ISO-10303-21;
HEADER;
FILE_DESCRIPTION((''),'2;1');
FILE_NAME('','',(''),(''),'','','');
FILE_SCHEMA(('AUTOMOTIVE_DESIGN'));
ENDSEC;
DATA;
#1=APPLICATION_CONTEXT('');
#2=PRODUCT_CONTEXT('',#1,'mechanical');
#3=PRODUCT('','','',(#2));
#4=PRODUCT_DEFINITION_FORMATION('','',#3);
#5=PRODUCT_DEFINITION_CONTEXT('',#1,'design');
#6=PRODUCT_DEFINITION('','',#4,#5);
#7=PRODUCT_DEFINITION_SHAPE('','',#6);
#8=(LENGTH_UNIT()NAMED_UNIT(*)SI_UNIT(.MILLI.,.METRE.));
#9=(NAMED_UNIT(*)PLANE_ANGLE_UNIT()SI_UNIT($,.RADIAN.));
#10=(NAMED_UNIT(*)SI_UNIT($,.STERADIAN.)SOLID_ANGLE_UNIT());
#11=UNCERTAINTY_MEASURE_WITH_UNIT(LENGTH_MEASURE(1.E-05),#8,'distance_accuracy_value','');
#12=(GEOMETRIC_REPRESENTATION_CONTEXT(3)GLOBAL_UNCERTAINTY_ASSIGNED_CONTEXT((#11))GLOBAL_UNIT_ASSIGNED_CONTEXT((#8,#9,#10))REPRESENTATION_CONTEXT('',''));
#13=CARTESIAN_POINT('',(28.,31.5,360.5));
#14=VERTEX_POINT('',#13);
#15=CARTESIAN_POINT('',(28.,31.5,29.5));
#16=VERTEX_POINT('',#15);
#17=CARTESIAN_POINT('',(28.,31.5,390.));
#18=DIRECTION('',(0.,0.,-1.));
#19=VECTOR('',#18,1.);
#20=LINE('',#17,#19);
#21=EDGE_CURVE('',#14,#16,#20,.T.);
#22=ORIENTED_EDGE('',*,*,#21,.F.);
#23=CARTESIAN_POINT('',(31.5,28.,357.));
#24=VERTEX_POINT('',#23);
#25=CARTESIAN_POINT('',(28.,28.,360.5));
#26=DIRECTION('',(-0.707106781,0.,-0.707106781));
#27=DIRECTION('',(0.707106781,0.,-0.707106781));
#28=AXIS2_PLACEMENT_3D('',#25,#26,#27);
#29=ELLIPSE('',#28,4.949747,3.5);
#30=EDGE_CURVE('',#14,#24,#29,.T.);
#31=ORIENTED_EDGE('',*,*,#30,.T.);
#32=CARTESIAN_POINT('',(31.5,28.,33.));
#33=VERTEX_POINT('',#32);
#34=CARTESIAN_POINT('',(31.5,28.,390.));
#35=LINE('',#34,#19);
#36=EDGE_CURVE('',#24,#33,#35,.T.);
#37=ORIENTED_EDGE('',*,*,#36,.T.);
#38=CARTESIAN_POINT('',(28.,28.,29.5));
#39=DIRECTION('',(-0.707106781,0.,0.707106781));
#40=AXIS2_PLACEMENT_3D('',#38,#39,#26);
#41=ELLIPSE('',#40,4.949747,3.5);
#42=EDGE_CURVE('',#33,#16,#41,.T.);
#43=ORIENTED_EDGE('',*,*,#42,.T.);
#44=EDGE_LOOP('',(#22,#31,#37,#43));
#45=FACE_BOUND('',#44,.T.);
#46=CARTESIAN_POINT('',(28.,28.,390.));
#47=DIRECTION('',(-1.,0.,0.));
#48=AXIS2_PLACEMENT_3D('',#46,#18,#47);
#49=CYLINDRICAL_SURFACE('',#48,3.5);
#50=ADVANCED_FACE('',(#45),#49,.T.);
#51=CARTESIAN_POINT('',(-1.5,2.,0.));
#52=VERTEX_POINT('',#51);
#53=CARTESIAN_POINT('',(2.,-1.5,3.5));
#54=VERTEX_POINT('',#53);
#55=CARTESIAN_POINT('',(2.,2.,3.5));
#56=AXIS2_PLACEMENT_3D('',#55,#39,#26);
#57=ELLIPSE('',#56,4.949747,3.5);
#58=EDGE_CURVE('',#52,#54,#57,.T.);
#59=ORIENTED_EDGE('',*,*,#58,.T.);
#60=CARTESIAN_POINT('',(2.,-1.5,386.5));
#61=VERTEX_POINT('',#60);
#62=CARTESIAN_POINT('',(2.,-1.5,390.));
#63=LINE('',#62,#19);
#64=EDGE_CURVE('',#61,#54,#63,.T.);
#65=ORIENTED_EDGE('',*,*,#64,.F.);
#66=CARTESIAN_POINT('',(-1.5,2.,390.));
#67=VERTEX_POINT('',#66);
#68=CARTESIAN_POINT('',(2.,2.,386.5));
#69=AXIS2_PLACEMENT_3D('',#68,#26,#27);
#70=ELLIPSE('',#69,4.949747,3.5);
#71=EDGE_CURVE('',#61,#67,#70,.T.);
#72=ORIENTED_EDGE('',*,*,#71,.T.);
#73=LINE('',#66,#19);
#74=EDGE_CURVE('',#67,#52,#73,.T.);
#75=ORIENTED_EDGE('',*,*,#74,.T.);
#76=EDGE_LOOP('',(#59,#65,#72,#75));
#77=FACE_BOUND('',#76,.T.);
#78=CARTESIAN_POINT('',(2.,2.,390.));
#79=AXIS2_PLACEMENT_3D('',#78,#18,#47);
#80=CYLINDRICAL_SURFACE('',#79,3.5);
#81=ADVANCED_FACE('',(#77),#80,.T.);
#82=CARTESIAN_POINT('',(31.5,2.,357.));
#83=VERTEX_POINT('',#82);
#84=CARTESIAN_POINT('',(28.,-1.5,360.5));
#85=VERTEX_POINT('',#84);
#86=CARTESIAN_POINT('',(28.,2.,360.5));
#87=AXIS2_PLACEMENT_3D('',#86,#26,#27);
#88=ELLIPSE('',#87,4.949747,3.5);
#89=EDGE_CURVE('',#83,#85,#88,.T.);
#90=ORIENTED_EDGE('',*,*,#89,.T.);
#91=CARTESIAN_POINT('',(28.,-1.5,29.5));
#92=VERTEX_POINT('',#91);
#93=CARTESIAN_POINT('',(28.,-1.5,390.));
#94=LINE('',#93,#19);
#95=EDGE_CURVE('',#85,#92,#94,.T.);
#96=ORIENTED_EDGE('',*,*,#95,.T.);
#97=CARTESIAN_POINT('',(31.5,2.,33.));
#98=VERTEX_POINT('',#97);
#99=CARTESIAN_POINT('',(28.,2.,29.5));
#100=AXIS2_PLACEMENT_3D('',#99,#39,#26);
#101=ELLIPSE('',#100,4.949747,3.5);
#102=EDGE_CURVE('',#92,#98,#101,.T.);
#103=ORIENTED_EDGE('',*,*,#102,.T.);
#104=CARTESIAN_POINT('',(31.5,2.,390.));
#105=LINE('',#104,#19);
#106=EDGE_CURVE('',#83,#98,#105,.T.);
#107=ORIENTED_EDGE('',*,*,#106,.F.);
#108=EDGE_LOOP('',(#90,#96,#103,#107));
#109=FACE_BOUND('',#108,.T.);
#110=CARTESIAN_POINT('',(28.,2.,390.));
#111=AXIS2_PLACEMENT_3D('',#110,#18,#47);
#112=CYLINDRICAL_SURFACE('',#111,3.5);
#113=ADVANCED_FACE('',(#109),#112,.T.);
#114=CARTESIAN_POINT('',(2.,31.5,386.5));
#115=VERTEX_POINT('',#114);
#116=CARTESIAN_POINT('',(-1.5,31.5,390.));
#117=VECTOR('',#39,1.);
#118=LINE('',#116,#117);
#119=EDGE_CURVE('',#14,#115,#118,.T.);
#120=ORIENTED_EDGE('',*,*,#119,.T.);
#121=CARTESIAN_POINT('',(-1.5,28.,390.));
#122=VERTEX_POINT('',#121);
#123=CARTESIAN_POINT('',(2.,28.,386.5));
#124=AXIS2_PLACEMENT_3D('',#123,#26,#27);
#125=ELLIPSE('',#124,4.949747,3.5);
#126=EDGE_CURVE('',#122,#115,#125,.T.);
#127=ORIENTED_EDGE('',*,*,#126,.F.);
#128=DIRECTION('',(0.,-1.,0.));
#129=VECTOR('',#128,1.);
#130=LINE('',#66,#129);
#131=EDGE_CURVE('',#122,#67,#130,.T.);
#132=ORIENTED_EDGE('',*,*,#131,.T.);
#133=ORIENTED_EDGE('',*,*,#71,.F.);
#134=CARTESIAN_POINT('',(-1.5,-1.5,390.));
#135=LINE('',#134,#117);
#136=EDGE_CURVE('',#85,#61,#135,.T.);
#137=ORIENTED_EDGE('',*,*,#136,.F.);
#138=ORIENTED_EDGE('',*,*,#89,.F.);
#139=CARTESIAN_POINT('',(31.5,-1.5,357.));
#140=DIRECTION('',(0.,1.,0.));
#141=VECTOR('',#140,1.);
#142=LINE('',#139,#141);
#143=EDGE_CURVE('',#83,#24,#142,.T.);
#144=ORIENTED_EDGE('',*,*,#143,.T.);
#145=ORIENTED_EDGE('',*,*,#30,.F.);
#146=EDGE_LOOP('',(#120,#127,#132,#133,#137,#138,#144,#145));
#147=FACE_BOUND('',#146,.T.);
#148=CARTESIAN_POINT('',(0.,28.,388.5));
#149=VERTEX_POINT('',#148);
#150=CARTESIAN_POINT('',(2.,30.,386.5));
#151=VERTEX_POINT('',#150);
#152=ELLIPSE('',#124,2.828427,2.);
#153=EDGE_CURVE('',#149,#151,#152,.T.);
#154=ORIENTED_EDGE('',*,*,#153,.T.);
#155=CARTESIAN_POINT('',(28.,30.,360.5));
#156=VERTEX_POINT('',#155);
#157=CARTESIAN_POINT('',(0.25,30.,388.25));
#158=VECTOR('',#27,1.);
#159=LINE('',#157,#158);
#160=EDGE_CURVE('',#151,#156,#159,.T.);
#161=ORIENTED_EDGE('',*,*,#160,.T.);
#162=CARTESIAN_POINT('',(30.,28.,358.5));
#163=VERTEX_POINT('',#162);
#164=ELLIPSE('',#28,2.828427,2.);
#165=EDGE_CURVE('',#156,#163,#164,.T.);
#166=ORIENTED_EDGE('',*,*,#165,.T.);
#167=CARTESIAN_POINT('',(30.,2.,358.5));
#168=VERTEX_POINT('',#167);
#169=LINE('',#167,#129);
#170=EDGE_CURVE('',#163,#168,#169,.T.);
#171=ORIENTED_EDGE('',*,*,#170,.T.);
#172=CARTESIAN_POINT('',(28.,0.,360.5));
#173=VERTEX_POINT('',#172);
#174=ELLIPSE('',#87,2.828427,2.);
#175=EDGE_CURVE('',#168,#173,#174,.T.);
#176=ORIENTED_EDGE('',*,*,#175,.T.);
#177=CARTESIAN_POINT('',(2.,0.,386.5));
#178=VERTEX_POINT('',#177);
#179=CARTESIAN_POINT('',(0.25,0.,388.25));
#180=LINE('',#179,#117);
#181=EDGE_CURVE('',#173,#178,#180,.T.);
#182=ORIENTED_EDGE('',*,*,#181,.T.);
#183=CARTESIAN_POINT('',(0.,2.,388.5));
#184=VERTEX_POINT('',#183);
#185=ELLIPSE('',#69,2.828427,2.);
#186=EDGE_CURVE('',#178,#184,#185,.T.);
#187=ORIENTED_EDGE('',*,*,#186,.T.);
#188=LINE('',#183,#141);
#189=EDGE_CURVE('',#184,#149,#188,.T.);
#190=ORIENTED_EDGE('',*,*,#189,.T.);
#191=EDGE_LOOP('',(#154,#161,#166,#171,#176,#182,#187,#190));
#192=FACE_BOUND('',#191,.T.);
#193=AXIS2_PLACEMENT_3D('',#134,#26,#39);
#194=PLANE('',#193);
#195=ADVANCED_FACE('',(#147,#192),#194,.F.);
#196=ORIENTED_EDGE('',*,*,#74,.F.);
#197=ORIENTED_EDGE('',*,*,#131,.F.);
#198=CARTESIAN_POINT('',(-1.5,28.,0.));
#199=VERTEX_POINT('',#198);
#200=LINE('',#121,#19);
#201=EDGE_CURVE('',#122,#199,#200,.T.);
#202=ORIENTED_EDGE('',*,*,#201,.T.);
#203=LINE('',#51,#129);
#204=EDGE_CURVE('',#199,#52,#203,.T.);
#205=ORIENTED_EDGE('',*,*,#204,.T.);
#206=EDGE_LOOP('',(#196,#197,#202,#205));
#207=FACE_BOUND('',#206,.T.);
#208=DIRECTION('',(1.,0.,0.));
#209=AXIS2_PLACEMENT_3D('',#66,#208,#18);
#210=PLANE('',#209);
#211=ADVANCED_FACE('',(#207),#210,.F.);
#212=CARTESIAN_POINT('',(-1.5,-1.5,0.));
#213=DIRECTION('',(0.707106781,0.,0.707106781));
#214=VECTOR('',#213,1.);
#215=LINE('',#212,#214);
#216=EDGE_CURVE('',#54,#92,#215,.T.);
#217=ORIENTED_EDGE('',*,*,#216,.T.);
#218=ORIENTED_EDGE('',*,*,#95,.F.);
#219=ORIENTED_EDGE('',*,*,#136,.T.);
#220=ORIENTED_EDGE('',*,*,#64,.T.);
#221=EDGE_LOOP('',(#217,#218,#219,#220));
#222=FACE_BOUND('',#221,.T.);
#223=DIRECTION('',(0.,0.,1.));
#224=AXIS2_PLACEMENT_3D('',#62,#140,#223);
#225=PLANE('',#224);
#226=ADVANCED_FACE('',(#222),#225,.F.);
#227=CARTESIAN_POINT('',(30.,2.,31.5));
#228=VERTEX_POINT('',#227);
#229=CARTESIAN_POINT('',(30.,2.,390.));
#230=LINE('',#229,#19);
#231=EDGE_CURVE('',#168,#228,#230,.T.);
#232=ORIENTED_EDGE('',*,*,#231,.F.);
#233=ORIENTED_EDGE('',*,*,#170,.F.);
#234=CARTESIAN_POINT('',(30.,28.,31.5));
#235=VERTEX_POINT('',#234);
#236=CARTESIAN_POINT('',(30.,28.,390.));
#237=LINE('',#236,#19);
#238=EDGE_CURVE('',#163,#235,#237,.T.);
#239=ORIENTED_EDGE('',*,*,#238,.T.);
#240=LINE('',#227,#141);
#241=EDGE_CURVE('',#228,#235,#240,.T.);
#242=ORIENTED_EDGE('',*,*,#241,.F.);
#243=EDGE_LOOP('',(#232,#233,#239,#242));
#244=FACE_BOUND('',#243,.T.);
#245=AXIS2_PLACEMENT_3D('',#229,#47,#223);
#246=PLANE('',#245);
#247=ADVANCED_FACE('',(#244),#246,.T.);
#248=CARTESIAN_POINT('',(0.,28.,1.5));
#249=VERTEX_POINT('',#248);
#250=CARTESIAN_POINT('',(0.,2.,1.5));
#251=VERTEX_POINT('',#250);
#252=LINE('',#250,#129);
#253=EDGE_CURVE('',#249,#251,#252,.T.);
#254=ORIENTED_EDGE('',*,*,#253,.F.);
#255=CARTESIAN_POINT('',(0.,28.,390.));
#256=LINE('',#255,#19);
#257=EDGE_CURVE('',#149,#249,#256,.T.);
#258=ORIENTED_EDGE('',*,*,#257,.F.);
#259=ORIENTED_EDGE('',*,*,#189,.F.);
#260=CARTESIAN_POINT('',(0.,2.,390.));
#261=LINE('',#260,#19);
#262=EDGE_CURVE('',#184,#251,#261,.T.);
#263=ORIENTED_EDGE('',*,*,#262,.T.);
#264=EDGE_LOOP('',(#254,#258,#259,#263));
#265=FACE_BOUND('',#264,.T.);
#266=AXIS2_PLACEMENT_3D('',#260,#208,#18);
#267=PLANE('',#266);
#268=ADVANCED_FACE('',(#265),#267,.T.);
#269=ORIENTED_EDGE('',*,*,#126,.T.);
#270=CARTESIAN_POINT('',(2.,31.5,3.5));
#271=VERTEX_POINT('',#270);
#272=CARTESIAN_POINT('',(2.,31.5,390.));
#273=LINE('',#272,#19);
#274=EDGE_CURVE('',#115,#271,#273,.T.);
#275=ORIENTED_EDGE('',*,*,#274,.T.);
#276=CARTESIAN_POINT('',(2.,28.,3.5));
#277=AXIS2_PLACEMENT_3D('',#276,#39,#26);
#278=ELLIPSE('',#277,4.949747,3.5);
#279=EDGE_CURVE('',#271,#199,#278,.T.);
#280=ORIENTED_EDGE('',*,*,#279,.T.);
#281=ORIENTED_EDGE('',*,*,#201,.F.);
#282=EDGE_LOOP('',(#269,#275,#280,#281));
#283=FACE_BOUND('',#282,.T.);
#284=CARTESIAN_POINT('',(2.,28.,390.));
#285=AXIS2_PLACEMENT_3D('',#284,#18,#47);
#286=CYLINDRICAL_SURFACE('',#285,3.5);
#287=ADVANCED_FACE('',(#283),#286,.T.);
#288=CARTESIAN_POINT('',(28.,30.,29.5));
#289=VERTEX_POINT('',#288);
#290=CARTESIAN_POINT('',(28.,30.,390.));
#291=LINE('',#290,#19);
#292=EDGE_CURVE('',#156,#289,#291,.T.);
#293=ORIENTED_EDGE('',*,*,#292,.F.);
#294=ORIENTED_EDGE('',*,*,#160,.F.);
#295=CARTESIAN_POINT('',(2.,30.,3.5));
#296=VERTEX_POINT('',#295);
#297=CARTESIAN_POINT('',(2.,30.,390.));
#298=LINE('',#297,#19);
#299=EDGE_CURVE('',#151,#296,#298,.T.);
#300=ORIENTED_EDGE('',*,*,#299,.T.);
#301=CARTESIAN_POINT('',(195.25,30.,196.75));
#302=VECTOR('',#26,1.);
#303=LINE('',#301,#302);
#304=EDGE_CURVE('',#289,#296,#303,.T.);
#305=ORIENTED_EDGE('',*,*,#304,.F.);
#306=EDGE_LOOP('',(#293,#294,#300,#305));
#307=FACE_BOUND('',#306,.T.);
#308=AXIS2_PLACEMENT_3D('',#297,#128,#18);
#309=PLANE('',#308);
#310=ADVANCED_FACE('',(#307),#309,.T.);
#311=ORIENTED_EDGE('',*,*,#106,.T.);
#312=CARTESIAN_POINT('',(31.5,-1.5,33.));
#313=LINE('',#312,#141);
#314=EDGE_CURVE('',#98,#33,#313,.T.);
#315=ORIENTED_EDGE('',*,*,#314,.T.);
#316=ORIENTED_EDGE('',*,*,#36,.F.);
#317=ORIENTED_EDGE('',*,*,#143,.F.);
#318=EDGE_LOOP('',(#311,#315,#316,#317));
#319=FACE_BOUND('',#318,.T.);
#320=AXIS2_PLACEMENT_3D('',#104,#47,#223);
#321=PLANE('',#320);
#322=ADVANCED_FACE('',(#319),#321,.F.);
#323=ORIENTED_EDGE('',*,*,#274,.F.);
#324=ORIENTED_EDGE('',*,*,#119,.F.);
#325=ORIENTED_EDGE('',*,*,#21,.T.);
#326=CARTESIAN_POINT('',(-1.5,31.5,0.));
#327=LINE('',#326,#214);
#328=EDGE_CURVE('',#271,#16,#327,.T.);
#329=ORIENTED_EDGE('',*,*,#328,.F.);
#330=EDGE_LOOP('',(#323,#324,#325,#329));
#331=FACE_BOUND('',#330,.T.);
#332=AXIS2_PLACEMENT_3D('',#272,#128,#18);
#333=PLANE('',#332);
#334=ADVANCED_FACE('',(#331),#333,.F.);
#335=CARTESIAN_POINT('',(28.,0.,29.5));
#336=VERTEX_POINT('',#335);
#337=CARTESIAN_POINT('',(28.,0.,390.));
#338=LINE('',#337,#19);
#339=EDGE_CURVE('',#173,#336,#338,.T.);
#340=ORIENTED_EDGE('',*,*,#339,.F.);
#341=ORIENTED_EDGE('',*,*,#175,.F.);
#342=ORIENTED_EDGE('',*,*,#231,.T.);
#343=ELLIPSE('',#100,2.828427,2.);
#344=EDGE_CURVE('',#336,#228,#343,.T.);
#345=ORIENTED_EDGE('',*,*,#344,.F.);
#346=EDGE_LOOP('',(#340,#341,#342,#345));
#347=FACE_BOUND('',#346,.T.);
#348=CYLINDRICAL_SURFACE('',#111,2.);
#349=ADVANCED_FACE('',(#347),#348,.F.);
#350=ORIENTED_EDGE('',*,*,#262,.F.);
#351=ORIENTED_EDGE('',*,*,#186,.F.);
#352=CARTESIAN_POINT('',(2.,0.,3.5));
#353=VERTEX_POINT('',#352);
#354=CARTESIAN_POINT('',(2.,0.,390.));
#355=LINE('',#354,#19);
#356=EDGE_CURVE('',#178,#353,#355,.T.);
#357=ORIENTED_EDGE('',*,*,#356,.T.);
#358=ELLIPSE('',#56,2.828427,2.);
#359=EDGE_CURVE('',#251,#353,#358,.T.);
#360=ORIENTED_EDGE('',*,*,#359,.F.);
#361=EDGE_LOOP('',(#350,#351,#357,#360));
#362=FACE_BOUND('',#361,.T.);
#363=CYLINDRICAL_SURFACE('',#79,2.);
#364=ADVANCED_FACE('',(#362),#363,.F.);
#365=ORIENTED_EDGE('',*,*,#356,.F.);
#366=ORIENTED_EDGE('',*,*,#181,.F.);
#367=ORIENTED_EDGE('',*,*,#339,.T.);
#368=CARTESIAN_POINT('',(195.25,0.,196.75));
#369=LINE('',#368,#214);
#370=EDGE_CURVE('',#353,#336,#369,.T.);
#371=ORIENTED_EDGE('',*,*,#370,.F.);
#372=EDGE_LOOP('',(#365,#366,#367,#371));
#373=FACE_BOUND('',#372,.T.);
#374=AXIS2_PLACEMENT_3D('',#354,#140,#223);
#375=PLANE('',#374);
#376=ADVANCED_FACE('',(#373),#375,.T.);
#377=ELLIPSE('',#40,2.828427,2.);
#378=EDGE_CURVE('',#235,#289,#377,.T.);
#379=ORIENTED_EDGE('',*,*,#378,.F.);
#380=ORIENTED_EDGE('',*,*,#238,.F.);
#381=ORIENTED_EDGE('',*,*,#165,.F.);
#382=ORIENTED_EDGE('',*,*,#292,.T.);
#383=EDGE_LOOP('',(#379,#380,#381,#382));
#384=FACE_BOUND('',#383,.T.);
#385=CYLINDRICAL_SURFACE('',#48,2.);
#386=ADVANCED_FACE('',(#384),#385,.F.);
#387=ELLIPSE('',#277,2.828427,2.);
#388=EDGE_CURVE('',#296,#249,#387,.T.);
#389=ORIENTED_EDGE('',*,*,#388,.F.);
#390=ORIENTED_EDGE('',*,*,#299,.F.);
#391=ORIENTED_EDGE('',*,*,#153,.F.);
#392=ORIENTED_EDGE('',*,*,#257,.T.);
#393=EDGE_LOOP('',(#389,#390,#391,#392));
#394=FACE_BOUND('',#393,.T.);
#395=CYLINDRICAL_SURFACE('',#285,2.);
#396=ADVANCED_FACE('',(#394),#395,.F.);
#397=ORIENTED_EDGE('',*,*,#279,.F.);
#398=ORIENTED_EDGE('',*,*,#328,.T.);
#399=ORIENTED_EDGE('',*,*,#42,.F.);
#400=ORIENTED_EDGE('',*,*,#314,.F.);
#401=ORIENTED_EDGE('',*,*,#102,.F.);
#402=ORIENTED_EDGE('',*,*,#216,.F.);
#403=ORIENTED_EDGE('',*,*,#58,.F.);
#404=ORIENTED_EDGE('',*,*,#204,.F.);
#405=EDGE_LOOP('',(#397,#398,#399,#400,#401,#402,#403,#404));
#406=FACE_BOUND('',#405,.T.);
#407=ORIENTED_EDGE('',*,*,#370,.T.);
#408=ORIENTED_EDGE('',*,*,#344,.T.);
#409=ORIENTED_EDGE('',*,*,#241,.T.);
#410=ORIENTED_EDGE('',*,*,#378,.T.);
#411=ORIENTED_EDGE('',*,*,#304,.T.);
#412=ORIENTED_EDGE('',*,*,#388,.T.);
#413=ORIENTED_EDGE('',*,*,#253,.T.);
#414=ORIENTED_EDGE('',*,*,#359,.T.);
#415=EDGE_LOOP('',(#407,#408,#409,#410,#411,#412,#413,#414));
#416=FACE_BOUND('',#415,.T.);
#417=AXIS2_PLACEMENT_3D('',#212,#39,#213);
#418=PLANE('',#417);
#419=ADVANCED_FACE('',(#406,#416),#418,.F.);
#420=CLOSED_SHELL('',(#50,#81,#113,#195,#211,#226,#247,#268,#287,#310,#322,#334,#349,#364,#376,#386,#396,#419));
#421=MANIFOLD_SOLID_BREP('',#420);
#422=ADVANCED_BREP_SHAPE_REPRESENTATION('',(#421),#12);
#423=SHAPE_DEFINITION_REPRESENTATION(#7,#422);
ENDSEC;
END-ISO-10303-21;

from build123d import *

# Parameters (mm, degrees)
EXTRUDE_1_DEPTH     = 390
CUT_EXTRUDE_1_DEPTH = 393.659203381


with BuildPart() as part:
    # Эскиз1 → Вытянуть-Тонкостенный1 (new body)
    with BuildSketch(Plane.XY):
        with BuildLine():
            Line((2, -1.5), (28, -1.5))
            ThreePointArc((28, -1.5), (30.474873734, -0.474873734), (31.5, 2))
            Line((31.5, 2), (31.5, 28))
            ThreePointArc((31.5, 28), (30.474873734, 30.474873734), (28, 31.5))
            Line((28, 31.5), (2, 31.5))
            ThreePointArc((2, 31.5), (-0.474873734, 30.474873734), (-1.5, 28))
            Line((-1.5, 28), (-1.5, 2))
            ThreePointArc((-1.5, 2), (-0.474873734, -0.474873734), (2, -1.5))
        make_face()
        with BuildLine():
            Line((2, 0), (28, 0))
            ThreePointArc((28, 0), (29.414213562, 0.585786438), (30, 2))
            Line((30, 2), (30, 28))
            ThreePointArc((30, 28), (29.414213562, 29.414213562), (28, 30))
            Line((28, 30), (2, 30))
            ThreePointArc((2, 30), (0.585786438, 29.414213562), (0, 28))
            Line((0, 28), (0, 2))
            ThreePointArc((0, 2), (0.585786438, 0.585786438), (2, 0))
        make_face(mode=Mode.SUBTRACT)
    extrude(amount=EXTRUDE_1_DEPTH)

    # Эскиз2 → Вырез-Вытянуть1 (cut, through all)
    with BuildSketch(Plane(origin=(0, 31.5, 0), x_dir=(1, 0, 0), z_dir=(0, 1, 0))):
        Polygon((-1.5, 0), (31.5, -33), (31.5, 0), align=None)
        Polygon((-1.5, -390), (31.5, -357), (31.5, -390), align=None)
    extrude(amount=-CUT_EXTRUDE_1_DEPTH, mode=Mode.SUBTRACT)


solid = part.part
